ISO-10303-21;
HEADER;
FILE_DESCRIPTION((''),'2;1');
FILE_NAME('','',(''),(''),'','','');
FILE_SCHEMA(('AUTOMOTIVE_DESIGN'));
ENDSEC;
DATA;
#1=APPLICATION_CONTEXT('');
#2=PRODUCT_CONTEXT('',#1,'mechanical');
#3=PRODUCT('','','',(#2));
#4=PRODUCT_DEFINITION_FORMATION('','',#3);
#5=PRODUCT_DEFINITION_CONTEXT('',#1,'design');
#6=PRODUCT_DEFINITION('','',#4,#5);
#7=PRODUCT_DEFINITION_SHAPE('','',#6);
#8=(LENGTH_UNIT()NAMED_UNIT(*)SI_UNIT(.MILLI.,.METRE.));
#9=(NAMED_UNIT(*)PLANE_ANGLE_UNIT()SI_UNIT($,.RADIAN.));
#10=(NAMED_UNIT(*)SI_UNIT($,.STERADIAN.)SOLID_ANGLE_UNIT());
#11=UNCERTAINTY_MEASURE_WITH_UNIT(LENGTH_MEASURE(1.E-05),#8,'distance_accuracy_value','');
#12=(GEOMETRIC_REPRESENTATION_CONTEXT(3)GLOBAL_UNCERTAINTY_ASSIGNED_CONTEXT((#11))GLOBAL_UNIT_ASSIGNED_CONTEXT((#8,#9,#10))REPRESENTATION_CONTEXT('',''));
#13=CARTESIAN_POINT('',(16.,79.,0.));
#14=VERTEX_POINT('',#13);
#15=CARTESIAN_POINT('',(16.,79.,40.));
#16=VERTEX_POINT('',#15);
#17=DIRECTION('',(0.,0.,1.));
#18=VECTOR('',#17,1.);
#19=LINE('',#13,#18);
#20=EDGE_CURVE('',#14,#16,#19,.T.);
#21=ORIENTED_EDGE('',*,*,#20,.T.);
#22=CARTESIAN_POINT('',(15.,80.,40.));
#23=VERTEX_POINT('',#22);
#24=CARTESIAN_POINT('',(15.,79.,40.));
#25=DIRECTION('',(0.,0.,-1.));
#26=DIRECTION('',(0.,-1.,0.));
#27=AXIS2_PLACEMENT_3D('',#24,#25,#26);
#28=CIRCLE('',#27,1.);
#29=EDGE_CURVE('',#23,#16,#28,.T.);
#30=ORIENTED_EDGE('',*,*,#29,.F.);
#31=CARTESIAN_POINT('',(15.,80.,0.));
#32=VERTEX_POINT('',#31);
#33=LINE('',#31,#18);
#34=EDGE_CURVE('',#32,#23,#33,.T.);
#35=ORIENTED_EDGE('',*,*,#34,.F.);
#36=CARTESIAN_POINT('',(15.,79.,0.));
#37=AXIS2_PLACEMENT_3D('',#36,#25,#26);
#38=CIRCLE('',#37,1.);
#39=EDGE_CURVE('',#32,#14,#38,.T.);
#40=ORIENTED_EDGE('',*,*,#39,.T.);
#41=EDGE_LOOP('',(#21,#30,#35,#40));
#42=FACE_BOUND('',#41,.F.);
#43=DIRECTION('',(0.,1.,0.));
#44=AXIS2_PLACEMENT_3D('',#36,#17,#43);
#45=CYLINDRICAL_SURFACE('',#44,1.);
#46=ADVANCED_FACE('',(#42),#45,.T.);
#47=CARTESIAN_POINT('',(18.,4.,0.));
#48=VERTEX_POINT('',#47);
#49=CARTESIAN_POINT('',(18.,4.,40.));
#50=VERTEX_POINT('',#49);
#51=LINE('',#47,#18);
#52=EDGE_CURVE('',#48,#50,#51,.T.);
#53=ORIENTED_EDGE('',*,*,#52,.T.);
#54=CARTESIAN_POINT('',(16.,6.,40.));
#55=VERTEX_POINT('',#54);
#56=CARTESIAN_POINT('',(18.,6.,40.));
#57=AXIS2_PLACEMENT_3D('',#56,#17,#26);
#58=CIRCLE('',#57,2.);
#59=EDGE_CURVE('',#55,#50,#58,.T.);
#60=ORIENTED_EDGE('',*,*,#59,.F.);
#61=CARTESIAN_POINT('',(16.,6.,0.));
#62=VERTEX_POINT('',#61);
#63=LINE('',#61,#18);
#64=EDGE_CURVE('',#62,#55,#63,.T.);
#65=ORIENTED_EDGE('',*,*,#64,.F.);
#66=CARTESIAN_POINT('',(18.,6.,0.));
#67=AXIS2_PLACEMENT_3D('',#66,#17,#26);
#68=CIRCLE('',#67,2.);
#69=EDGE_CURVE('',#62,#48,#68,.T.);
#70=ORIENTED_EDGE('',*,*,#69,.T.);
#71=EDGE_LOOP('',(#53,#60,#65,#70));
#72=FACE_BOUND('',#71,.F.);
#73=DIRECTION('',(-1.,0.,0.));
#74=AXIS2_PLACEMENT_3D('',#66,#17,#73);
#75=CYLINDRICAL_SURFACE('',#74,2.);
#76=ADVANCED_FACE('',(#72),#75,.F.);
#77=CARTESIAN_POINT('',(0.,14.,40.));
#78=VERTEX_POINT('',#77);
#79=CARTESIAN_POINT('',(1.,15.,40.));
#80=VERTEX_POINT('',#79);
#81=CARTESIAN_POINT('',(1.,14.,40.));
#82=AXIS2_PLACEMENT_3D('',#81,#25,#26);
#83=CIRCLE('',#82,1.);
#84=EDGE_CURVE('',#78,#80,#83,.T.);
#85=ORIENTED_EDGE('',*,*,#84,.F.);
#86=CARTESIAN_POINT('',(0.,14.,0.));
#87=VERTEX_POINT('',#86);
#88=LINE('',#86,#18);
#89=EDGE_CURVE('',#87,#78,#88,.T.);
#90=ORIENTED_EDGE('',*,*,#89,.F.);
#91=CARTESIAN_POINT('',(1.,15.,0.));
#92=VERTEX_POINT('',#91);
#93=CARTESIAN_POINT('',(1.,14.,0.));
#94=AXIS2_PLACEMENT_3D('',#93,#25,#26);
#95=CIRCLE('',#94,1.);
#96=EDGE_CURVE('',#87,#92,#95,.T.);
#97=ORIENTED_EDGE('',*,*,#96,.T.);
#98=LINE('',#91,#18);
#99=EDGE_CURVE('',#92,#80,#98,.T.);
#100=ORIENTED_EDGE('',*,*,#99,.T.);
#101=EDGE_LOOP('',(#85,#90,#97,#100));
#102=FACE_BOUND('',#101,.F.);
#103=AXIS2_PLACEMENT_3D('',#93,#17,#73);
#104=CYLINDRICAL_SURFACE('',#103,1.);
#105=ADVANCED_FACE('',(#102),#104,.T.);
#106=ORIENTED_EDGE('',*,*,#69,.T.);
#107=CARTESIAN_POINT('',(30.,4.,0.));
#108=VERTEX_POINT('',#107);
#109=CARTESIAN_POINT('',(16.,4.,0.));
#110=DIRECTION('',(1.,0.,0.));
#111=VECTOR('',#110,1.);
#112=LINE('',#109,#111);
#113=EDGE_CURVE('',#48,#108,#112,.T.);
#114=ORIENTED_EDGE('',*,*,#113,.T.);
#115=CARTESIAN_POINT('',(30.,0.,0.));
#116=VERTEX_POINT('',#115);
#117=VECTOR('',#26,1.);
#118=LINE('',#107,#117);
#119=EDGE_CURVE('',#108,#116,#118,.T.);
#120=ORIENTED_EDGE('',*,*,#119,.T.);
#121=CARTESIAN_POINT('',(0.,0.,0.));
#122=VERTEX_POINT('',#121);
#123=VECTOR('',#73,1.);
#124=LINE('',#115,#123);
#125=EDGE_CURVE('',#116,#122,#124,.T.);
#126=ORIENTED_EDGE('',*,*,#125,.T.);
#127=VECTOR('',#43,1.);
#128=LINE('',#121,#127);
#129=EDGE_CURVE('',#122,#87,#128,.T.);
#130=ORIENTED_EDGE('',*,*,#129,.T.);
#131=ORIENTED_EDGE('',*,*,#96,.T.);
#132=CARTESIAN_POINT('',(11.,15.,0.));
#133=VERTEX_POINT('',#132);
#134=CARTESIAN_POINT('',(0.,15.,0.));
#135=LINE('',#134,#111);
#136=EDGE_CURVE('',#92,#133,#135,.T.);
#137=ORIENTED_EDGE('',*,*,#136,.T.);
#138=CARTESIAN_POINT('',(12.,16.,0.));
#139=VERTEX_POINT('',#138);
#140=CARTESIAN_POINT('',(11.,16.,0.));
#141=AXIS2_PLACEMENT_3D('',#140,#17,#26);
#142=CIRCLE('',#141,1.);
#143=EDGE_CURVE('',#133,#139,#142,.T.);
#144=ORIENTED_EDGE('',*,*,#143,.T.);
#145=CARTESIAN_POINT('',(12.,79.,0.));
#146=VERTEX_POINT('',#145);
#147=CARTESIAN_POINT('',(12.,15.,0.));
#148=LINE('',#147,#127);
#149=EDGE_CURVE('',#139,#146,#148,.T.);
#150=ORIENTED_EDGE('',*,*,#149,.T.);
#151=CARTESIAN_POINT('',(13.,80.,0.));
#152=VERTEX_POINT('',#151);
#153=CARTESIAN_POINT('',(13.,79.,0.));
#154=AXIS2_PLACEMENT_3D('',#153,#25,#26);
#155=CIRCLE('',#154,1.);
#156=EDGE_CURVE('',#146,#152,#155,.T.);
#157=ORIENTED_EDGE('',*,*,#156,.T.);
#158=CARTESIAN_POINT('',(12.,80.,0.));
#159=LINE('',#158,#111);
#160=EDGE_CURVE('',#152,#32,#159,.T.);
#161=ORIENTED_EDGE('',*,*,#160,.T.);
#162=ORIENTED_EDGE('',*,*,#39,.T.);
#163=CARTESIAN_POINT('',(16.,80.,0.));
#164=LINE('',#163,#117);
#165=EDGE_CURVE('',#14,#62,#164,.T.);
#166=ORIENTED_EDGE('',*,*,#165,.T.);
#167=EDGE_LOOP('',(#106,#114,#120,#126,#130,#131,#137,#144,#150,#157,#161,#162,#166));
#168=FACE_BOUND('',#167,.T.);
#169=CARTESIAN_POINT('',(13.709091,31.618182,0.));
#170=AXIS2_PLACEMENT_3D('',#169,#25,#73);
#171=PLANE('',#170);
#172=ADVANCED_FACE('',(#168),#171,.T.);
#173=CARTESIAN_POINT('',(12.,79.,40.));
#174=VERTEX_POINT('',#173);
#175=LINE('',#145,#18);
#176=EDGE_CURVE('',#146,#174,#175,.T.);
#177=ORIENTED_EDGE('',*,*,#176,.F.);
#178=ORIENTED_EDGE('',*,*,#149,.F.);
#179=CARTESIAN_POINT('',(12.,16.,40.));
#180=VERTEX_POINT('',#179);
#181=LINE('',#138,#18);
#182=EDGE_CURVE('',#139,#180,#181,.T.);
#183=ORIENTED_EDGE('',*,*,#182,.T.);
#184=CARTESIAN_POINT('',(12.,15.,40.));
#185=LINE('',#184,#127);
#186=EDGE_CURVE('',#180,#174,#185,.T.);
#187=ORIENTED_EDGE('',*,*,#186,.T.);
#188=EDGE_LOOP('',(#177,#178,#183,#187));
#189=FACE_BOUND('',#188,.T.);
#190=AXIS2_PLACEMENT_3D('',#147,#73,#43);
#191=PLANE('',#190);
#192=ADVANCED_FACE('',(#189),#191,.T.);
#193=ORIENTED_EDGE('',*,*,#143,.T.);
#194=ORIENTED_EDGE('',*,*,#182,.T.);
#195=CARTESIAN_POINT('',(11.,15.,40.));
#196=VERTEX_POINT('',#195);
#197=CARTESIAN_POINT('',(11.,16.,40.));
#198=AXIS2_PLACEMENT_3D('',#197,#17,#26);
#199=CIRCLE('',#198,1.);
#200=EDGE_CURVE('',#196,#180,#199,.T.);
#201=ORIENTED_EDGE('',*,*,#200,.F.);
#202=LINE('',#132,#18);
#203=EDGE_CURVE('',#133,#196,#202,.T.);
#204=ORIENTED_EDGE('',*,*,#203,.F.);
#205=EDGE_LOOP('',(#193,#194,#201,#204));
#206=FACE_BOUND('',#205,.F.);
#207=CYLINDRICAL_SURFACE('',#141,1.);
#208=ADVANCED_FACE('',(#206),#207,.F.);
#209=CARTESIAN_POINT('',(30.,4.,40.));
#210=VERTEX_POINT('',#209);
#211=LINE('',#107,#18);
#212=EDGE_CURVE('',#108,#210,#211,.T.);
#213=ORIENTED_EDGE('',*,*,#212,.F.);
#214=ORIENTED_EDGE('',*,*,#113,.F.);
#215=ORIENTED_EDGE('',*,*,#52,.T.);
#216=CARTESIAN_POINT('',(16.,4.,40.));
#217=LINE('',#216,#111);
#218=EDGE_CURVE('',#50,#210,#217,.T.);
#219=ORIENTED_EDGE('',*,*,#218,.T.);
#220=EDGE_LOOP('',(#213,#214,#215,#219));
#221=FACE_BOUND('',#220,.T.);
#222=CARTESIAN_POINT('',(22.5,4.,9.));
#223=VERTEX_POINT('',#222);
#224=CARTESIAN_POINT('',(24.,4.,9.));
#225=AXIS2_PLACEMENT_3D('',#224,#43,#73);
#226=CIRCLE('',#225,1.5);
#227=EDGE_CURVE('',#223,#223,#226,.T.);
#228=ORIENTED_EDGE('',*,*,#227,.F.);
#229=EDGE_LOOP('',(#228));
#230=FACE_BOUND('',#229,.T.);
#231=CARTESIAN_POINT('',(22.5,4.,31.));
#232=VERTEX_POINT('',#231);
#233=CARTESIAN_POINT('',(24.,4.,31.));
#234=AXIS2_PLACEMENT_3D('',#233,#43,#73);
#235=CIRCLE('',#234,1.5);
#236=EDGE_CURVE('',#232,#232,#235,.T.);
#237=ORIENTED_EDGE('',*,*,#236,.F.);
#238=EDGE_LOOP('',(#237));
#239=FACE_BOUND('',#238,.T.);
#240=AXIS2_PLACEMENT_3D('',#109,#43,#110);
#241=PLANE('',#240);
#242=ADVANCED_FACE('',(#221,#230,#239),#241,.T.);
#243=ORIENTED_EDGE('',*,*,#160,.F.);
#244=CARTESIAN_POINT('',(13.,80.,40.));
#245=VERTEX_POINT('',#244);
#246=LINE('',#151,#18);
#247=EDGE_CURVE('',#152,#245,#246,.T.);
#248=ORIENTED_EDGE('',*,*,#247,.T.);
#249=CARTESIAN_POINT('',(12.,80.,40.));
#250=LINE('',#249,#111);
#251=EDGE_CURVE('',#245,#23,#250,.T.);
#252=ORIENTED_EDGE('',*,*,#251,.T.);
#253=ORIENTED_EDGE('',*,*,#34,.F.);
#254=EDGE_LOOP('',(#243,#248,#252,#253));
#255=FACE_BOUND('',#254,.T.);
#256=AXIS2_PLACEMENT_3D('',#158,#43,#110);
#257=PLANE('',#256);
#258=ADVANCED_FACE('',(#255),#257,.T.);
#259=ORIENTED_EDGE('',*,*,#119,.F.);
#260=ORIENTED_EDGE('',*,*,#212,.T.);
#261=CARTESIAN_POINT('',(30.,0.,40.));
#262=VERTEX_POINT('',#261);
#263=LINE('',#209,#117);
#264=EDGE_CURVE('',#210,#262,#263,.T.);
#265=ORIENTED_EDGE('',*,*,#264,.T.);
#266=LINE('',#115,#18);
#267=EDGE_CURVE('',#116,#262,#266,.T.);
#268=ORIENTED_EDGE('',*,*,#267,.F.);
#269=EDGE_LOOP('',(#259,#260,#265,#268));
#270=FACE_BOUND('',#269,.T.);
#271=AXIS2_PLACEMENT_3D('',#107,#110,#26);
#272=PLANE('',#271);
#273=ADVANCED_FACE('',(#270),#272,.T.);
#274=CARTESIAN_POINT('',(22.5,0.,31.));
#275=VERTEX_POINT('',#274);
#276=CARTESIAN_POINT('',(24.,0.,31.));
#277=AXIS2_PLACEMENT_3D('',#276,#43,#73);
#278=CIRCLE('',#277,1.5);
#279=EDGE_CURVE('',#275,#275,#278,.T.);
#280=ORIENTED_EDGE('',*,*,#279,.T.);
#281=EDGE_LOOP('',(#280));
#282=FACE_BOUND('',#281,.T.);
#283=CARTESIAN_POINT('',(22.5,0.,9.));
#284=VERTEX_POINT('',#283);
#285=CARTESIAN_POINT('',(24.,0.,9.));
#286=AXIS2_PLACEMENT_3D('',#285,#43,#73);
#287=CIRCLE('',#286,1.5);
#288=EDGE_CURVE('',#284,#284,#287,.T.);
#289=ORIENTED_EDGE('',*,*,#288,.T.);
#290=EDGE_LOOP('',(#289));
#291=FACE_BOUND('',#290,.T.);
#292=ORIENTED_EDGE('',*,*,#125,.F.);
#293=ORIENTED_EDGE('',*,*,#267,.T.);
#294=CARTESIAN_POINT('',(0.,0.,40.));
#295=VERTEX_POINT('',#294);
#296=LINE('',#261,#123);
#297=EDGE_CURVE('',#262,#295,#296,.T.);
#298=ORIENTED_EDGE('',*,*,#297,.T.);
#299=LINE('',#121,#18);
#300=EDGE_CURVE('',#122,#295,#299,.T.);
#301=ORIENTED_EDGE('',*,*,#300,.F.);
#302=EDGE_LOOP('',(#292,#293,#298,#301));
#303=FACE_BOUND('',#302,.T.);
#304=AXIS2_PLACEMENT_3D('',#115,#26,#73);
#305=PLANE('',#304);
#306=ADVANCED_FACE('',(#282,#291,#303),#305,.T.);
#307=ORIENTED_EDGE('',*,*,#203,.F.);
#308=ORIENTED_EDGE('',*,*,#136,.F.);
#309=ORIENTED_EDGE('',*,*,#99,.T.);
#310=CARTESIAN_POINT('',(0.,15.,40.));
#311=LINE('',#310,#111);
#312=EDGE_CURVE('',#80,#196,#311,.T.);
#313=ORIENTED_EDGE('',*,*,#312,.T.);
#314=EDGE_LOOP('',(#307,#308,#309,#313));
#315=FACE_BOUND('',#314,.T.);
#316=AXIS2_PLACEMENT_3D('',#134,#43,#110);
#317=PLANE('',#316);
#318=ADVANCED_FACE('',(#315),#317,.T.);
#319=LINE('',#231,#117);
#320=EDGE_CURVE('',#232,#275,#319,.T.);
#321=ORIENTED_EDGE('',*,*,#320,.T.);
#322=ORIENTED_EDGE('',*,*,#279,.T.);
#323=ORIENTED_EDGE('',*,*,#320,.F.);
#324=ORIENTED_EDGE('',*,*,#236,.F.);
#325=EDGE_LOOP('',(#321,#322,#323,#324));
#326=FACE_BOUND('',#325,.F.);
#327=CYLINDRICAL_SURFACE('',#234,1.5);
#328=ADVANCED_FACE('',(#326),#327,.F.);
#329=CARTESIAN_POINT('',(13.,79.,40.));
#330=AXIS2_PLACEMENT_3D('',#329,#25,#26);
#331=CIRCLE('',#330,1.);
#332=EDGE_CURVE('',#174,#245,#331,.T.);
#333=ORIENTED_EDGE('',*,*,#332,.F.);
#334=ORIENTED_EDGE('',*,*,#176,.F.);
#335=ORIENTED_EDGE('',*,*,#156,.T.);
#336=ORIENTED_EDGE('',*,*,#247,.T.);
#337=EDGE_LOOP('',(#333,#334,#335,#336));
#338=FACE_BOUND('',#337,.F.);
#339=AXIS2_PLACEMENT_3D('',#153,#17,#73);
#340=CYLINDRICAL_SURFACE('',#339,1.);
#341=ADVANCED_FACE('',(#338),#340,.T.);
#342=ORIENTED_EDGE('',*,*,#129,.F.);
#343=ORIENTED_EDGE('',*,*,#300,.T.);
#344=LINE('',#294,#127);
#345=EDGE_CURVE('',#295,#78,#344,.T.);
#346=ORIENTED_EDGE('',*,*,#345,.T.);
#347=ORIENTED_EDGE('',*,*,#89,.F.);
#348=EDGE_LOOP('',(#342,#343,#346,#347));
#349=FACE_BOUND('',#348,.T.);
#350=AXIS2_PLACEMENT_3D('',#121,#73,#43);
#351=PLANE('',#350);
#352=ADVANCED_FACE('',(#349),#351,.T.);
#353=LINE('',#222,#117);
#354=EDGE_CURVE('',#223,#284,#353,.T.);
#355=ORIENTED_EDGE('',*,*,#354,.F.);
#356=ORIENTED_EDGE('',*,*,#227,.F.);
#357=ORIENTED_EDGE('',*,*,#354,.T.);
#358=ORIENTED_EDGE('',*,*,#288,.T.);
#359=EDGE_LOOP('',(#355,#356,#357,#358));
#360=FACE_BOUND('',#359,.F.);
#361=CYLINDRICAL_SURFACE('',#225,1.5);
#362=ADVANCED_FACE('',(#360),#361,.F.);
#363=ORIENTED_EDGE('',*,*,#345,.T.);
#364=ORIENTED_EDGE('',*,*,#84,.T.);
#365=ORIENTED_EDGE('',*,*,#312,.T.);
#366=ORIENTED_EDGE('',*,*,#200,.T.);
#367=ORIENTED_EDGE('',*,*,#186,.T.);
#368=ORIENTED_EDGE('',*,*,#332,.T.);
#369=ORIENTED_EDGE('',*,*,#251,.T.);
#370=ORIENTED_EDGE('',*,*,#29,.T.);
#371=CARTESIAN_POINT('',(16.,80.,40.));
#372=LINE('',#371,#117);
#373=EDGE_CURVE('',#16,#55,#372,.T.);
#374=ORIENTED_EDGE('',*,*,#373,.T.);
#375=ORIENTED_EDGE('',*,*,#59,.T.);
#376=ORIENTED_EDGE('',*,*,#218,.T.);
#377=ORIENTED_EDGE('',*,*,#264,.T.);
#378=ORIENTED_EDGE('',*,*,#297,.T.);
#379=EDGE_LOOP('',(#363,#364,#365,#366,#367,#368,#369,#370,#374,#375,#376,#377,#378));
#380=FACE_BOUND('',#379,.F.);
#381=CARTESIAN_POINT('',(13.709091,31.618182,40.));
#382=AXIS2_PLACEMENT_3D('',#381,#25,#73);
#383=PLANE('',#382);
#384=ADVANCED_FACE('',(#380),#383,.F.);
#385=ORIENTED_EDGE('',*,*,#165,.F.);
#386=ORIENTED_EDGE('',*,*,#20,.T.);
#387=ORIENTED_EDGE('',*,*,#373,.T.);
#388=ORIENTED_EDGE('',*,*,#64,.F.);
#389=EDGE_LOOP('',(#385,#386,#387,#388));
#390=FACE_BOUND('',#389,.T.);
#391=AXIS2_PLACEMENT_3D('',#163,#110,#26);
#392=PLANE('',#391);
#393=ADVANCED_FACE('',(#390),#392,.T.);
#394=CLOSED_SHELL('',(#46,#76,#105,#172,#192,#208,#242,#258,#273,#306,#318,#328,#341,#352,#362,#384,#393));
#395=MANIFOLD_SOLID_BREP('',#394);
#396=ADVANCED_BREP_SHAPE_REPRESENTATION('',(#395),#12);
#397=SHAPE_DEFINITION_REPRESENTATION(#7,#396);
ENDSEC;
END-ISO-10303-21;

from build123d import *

# Parameters (mm, degrees)
PAD_DEPTH    = 40
FILLET_R     = 1
FILLET001_R  = 1
FILLET002_R  = 2
FILLET003_R  = 1
FILLET004_R  = 1
SKETCH001_R  = 1.5
POCKET_DEPTH = 5


with BuildPart() as part:
    # Sketch → Pad (new body)
    with BuildSketch(Plane.XY):
        Polygon((0, 0), (0, 15), (12, 15), (12, 80), (16, 80), (16, 4), (30, 4), (30, 0), align=None)
    extrude(amount=PAD_DEPTH)

    # Fillet
    fillet_edges = [part.edges().sort_by_distance(p)[0] for p in [
        (12, 80, 20),
    ]]
    fillet(fillet_edges, radius=FILLET_R)

    # Fillet001
    fillet001_edges = [part.edges().sort_by_distance(p)[0] for p in [
        (16, 80, 20),
    ]]
    fillet(fillet001_edges, radius=FILLET001_R)

    # Fillet002
    fillet002_edges = [part.edges().sort_by_distance(p)[0] for p in [
        (16, 4, 20),
    ]]
    fillet(fillet002_edges, radius=FILLET002_R)

    # Fillet003
    fillet003_edges = [part.edges().sort_by_distance(p)[0] for p in [
        (0, 15, 20),
    ]]
    fillet(fillet003_edges, radius=FILLET003_R)

    # Fillet004
    fillet004_edges = [part.edges().sort_by_distance(p)[0] for p in [
        (12, 15, 20),
    ]]
    fillet(fillet004_edges, radius=FILLET004_R)

    # Sketch001 (on Face12 of Fillet004) → Pocket (cut)
    with BuildSketch(Plane(origin=(0, 4, 0), x_dir=(-1, 0, 0), z_dir=(0, 1, 0))):
        with Locations((-24, 31)):
            Circle(SKETCH001_R)
        with Locations((-24, 9)):
            Circle(SKETCH001_R)
    extrude(amount=-POCKET_DEPTH, mode=Mode.SUBTRACT)


solid = part.part
